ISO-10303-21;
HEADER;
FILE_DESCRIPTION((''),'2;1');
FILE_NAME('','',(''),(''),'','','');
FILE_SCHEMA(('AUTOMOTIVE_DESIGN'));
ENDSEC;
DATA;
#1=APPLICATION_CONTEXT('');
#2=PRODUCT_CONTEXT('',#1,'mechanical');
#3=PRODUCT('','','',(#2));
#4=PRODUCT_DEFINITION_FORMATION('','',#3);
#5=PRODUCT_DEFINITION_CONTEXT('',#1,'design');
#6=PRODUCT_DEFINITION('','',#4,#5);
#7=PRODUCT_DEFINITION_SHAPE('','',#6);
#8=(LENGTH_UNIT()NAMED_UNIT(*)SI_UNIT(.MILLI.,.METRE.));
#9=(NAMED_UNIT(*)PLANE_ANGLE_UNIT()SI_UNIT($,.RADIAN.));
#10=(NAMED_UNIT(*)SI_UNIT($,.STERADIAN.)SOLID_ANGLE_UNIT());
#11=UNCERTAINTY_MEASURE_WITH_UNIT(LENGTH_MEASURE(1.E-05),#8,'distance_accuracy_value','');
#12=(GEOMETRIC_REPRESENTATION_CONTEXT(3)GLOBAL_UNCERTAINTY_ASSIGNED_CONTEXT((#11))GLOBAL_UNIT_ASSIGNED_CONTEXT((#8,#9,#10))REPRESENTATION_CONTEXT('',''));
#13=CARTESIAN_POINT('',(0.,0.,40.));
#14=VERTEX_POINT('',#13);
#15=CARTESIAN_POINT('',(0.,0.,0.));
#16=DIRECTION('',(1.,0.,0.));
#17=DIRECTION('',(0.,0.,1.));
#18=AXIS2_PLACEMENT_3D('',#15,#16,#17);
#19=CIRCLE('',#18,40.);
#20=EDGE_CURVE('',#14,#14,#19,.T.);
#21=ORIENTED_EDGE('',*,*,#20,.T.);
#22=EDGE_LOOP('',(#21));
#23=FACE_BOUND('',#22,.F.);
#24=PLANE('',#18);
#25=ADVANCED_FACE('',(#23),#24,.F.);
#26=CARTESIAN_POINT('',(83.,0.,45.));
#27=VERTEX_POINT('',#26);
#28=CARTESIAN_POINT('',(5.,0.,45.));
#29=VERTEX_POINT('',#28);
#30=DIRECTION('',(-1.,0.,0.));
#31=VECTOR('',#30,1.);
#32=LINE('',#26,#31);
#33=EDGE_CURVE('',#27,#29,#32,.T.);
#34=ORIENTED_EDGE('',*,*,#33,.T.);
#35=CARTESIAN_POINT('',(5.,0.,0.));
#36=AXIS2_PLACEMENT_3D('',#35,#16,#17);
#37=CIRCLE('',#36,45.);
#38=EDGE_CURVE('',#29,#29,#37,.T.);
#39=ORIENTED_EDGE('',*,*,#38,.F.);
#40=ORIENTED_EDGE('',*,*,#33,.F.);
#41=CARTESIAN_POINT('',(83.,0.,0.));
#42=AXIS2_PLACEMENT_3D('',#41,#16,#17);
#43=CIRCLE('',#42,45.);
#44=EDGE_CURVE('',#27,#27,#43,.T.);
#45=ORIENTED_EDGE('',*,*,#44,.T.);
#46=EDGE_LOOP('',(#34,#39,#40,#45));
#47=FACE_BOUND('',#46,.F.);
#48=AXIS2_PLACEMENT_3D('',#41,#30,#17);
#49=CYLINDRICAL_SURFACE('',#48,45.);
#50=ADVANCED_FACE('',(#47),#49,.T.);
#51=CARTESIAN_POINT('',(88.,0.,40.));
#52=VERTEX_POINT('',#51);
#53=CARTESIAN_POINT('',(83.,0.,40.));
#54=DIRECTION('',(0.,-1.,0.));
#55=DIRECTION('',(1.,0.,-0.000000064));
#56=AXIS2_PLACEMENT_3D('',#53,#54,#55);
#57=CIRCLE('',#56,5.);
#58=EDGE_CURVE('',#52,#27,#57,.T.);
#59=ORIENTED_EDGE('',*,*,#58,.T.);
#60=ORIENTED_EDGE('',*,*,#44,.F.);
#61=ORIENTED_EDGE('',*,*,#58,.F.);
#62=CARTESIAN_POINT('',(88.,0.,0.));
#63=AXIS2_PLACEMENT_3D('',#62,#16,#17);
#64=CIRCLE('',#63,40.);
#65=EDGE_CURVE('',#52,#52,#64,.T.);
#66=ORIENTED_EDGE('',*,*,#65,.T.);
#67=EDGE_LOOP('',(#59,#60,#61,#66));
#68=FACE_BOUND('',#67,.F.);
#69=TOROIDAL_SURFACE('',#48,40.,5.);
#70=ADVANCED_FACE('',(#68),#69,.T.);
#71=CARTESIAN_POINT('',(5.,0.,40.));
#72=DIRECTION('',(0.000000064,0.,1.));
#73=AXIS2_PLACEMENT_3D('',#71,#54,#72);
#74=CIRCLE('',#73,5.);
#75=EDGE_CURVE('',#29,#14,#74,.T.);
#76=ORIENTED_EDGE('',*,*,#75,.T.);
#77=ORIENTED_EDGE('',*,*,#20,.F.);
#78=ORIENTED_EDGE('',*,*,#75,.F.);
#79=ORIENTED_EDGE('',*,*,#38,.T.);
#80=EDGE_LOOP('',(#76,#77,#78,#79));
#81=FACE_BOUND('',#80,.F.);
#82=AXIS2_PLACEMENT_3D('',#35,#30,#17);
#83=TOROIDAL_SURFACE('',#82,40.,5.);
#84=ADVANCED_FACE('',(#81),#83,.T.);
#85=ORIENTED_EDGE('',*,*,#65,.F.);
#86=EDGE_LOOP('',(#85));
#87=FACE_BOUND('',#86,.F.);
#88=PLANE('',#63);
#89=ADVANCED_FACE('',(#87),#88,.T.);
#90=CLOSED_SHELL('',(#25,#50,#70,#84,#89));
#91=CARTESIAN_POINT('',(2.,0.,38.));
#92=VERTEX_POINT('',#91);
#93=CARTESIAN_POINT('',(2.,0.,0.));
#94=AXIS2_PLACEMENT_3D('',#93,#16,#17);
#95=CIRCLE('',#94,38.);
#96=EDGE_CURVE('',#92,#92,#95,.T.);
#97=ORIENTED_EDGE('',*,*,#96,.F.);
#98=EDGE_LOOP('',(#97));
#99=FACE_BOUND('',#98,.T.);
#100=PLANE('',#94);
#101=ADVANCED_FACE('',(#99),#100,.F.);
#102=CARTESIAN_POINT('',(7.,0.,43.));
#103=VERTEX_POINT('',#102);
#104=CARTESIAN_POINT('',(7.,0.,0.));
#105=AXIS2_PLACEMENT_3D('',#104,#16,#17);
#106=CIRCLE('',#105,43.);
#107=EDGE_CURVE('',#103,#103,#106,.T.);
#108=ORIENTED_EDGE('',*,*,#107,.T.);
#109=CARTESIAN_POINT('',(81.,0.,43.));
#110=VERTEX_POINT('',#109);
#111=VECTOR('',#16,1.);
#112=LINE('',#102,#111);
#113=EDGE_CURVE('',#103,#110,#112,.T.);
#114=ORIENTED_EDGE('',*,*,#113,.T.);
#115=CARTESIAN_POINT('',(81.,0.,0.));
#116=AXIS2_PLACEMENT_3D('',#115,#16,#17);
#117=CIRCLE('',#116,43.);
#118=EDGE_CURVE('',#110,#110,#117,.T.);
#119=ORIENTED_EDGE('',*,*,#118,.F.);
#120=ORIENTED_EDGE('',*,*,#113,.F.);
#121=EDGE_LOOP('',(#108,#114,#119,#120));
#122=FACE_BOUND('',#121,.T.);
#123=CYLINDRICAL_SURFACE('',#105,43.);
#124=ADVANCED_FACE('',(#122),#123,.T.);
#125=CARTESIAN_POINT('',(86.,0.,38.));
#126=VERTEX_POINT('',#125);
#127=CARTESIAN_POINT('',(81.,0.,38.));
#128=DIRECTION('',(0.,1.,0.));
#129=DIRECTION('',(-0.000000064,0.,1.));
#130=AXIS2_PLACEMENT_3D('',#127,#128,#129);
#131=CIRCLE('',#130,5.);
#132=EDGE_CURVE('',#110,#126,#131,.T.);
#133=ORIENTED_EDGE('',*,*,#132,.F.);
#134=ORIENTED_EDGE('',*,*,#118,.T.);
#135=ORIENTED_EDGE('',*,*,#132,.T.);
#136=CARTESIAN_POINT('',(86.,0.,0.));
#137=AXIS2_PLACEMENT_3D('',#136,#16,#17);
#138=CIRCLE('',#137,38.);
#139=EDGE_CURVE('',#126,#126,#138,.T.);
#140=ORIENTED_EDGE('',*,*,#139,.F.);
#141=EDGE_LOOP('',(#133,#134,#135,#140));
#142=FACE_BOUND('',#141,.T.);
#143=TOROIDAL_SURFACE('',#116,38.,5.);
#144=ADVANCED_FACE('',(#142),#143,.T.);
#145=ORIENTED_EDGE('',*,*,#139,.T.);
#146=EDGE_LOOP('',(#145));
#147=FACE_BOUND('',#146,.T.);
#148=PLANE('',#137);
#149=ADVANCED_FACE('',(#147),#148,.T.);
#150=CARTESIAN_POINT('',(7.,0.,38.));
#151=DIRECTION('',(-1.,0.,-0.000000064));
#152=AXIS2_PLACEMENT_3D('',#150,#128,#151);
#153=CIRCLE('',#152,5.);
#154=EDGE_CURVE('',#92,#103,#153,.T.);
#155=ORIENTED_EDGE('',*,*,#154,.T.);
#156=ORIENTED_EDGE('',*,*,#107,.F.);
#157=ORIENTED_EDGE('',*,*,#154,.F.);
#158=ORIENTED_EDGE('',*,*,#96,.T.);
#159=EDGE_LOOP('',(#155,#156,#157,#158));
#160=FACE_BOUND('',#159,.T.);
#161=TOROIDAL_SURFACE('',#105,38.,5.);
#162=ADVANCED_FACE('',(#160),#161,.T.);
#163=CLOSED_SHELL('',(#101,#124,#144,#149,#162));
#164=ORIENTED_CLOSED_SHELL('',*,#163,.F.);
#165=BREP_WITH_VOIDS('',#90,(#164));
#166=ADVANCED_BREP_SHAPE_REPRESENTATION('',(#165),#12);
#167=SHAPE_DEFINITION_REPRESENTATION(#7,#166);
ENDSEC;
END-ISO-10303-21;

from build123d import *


with BuildPart() as f1:
    # F0 (on Front) → F1 (revolve)
    with BuildSketch(Plane.XZ):
        with BuildLine():
            Line((0, 40), (0, 0))
            Line((0, 0), (2, 0))
            Line((2, 0), (2, 38))
            ThreePointArc((2, 38), (3.464466, 41.535534), (7, 43))
            Line((7, 43), (81, 43))
            ThreePointArc((81, 43), (84.535534, 41.535534), (86, 38))
            Line((86, 38), (86, 0))
            Line((86, 0), (88, 0))
            Line((88, 0), (88, 40))
            ThreePointArc((88, 40), (86.535534, 43.535534), (83, 45))
            Line((83, 45), (5, 45))
            ThreePointArc((5, 45), (1.464466, 43.535534), (0, 40))
        make_face()
    revolve(axis=Axis((44, 0, 0), (1, 0, 0)))


solid = f1.part
